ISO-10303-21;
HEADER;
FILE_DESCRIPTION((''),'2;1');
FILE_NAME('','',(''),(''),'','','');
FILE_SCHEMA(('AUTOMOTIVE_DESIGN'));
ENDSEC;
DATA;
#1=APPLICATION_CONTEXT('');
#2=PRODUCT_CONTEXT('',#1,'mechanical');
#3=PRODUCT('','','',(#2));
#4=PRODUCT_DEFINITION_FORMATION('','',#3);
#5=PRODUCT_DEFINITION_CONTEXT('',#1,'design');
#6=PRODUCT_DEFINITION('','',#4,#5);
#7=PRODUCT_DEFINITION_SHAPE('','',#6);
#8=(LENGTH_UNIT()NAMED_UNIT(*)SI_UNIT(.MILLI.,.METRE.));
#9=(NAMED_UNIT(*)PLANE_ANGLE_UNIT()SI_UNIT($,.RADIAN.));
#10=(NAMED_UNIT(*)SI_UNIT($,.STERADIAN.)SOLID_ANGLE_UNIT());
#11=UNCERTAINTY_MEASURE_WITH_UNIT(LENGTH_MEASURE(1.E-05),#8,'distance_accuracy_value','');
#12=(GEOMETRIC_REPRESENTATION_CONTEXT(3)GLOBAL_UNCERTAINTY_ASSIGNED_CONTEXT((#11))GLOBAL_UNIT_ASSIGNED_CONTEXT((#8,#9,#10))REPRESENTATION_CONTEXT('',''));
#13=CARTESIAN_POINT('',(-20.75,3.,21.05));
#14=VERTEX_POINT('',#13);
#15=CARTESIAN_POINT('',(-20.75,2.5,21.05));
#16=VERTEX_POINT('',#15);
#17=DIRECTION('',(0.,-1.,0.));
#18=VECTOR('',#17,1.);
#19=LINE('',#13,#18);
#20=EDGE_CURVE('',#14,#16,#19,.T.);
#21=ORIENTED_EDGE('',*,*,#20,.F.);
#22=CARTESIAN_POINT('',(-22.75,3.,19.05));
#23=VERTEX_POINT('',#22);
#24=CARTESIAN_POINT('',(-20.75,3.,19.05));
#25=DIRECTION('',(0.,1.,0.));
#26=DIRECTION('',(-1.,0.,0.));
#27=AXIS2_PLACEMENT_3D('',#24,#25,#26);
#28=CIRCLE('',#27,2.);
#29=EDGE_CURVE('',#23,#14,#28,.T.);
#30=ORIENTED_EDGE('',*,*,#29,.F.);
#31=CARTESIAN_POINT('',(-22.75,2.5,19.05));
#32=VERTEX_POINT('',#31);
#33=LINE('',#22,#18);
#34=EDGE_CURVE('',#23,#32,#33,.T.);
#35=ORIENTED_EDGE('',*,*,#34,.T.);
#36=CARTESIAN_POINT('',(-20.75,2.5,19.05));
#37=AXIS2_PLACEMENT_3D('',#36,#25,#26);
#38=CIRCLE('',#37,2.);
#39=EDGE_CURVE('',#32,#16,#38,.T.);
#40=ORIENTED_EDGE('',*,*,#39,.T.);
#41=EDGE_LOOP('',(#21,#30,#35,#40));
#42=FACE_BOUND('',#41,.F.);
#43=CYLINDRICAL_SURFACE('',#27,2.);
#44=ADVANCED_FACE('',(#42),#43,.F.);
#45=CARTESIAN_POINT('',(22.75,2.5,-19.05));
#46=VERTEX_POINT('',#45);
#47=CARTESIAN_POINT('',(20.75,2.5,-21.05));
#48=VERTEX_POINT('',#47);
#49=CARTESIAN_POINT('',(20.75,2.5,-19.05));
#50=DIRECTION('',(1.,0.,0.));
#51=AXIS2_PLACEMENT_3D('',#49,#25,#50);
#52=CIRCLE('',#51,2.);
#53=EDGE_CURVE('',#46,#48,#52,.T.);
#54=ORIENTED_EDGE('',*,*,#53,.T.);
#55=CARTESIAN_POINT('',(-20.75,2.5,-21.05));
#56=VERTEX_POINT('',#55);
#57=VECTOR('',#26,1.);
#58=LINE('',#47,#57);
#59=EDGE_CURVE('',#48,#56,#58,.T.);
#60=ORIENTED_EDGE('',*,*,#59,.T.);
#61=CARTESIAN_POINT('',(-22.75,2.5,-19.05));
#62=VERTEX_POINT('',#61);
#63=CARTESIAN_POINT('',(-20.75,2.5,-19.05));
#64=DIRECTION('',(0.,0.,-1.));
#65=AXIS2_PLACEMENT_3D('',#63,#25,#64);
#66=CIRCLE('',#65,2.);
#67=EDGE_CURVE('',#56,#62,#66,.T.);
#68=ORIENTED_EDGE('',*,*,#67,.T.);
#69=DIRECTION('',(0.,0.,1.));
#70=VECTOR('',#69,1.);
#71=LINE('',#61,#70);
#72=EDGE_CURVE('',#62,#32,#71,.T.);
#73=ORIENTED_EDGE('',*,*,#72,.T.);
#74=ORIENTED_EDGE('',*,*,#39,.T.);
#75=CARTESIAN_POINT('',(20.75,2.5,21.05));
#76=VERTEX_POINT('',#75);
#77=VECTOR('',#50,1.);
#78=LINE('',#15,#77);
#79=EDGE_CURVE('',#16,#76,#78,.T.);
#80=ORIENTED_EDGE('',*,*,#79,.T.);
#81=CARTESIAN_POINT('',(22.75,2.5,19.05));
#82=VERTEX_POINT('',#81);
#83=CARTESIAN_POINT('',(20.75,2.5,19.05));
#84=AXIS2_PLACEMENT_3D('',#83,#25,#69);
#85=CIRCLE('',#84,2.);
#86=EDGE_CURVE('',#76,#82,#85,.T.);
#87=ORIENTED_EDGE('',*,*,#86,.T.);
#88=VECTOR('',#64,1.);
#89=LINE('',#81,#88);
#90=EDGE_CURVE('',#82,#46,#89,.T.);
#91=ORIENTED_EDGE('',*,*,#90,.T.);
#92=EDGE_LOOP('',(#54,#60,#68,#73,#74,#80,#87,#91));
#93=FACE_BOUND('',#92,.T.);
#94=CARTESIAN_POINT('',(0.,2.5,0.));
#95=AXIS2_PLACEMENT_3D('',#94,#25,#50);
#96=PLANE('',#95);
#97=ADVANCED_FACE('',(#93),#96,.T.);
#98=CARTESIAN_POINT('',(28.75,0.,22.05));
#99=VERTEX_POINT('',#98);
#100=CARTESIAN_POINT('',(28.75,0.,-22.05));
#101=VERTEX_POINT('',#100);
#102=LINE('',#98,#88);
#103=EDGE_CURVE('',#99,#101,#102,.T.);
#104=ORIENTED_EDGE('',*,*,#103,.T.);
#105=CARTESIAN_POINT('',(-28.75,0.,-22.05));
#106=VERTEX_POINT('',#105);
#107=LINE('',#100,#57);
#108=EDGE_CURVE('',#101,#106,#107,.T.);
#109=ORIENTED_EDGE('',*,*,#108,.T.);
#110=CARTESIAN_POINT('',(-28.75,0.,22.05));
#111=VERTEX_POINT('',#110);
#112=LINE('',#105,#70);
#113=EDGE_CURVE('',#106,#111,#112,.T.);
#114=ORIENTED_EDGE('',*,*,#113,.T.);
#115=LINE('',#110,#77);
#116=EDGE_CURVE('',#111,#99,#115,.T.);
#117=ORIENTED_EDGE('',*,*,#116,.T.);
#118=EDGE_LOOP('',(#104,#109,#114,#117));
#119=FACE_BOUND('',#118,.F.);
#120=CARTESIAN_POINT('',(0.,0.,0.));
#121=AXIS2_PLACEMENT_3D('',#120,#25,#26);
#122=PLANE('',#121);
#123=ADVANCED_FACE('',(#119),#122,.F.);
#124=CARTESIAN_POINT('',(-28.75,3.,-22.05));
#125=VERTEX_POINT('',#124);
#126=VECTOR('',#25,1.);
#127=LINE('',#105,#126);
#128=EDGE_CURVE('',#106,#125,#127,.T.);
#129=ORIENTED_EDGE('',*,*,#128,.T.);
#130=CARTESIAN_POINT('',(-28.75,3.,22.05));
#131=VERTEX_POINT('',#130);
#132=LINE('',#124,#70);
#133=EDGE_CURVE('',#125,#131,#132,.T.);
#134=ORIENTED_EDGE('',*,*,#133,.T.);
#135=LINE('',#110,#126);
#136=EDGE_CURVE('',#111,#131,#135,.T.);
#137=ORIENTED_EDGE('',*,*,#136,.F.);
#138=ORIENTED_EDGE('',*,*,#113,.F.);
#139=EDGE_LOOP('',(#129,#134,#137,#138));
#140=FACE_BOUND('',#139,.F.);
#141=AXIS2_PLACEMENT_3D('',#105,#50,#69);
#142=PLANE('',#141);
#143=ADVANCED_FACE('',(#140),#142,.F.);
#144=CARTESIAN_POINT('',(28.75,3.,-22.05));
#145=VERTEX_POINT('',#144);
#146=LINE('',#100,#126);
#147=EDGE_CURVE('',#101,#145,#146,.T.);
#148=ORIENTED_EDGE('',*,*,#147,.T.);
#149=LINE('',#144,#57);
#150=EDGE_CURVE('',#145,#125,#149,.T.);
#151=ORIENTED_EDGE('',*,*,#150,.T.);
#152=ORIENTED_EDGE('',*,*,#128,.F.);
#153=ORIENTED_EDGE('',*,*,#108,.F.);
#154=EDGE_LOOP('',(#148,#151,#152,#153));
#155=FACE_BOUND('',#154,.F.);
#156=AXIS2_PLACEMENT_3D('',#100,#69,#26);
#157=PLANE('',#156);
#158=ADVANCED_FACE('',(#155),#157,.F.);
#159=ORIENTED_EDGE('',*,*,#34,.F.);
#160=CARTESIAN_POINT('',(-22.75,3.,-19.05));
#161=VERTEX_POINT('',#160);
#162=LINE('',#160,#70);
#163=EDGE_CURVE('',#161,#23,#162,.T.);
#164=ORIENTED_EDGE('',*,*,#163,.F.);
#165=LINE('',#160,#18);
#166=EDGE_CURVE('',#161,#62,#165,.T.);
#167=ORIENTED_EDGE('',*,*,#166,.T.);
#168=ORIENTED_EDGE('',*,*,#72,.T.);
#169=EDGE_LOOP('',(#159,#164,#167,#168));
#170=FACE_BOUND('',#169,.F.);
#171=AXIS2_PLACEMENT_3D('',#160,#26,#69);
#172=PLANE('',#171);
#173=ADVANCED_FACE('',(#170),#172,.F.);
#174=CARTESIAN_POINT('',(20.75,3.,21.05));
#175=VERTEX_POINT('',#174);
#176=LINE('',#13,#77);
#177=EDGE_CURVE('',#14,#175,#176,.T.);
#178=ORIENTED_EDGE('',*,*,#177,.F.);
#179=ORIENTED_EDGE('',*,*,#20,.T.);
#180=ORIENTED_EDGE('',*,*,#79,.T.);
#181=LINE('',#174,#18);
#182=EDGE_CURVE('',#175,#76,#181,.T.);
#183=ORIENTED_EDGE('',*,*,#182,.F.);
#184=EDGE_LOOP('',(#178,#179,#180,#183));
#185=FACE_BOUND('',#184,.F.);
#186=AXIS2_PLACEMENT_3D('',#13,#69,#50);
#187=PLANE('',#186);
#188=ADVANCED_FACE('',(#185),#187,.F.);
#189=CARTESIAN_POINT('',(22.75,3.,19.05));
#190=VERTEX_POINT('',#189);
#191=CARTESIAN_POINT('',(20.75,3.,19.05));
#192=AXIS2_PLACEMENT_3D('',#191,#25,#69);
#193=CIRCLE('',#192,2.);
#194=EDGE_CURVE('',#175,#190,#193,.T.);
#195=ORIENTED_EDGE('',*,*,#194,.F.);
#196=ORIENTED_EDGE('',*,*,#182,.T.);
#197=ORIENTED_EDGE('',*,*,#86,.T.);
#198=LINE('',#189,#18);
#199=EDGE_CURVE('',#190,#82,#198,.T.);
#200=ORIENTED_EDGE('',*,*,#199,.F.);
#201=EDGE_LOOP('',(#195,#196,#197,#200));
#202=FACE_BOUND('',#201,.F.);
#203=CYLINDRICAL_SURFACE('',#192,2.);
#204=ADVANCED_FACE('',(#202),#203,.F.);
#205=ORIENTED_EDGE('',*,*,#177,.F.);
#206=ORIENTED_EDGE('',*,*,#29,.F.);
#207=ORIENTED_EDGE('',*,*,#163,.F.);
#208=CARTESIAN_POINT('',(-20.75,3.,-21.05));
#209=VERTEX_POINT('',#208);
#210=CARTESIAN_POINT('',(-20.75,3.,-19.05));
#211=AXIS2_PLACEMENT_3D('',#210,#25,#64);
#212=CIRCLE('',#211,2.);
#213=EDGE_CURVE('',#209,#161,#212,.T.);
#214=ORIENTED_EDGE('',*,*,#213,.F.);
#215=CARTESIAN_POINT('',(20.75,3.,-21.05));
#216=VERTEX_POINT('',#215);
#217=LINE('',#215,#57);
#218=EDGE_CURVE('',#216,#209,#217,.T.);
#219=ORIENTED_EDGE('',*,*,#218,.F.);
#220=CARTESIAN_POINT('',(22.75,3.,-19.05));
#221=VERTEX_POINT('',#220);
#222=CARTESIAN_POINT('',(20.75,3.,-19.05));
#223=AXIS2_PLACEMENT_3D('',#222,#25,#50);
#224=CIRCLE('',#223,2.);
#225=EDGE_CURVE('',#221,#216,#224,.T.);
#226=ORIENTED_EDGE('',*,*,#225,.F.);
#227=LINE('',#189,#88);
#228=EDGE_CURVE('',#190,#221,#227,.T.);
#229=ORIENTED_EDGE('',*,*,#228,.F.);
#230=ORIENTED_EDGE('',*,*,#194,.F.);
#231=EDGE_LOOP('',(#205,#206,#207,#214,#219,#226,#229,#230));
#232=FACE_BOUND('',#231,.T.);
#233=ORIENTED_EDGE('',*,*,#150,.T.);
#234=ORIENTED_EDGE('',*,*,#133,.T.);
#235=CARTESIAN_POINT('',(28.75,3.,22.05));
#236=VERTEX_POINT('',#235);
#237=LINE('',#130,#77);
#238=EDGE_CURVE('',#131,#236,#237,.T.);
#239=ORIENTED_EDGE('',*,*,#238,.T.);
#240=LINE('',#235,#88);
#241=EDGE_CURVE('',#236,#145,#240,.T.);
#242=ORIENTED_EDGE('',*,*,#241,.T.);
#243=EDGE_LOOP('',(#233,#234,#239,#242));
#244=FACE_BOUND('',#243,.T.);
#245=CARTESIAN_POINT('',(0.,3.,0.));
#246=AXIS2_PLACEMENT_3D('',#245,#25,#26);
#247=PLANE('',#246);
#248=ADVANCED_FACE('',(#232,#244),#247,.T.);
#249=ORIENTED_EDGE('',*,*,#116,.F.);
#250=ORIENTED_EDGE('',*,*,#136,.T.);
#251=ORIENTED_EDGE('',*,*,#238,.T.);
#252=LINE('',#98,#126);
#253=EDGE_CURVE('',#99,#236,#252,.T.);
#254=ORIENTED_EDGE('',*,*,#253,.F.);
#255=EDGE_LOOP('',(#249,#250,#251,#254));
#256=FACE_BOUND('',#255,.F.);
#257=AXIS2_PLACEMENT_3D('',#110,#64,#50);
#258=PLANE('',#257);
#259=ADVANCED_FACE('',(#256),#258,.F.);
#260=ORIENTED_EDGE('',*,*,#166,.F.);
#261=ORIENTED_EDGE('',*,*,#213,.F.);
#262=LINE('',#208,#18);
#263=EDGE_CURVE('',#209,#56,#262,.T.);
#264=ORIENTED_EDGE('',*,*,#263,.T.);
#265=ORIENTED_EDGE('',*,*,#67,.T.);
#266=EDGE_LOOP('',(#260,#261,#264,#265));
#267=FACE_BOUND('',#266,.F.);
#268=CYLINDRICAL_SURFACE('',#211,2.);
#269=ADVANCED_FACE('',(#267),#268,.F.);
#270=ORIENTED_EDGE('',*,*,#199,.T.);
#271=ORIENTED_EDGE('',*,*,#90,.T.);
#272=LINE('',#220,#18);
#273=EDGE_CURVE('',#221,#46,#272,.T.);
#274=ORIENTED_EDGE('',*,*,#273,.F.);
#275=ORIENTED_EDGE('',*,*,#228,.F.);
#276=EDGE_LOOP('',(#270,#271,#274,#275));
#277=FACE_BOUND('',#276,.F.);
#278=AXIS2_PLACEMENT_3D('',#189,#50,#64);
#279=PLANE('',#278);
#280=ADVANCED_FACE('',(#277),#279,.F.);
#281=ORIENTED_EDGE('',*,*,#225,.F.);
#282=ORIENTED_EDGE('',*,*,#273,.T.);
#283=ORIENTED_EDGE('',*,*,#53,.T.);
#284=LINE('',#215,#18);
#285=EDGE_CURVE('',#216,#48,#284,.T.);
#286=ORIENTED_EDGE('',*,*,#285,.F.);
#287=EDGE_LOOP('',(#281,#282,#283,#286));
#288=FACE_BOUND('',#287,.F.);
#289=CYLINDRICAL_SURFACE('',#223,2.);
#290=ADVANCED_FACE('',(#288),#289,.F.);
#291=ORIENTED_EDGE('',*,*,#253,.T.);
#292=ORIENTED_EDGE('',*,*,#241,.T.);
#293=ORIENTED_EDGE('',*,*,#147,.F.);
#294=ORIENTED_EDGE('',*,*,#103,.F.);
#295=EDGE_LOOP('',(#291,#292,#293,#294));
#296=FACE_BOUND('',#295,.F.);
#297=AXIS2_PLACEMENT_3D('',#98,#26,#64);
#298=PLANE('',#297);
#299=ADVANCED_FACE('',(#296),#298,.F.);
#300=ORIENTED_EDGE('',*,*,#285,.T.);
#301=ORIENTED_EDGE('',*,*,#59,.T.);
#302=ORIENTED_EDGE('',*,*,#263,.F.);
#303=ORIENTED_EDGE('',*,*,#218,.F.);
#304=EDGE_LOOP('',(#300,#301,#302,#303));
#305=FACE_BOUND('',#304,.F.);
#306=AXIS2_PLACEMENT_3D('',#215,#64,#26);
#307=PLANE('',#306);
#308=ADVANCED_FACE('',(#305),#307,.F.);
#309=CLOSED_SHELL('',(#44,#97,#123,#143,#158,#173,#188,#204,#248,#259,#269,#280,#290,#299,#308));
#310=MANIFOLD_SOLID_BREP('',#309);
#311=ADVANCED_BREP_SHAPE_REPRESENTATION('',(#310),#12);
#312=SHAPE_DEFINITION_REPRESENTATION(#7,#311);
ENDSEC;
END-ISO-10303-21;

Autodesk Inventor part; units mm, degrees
ref_plane "YZ Plane" through (0, 0, 0) normal (1, 0, 0) x (0, 1, 0)
ref_plane "XZ Plane" through (0, 0, 0) normal (0, 1, 0) x (-1, 0, 0)
ref_plane "XY Plane" through (0, 0, 0) normal (0, 0, 1) x (1, 0, 0)
sketch "Sketch1" plane through (0, 0, 0) normal (0, 1, 0) x (-1, 0, 0)
  line L0 (-28.75, -22.05) -> (28.75, -22.05)
  line L1 (28.75, -22.05) -> (28.75, 22.05)
  line L2 (28.75, 22.05) -> (-28.75, 22.05)
  line L3 (-28.75, 22.05) -> (-28.75, -22.05)
  line L4 (-28.75, -22.05) -> (28.75, 22.05) construction
  line L5 (28.75, -22.05) -> (-28.75, 22.05) construction
  point P0 (0, 0)
  dimension "d0" = 44.1
  dimension "d1" = 57.5
extrude "Extrusion1" add sketch "Sketch1" along normal blind 3
sketch "Sketch2" plane through (0, 3, 0) normal (0, 1, 0) x (1, 0, 0)
  line L0 (20.75, 21.05) -> (-20.75, 21.05)
  line L1 (-22.75, 19.05) -> (-22.75, -19.05)
  line L2 (-20.75, -21.05) -> (20.75, -21.05)
  line L3 (22.75, -19.05) -> (22.75, 19.05)
  line L4 (22.75, 21.05) -> (-22.75, -21.05) construction
  line L5 (-22.75, 21.05) -> (22.75, -21.05) construction
  line L6 (-28.75, 22.05) -> (-28.75, -22.05) projected
  line L7 (-28.75, -22.05) -> (28.75, -22.05) projected
  arc A0 (-22.75, -19.05) -> (-20.75, -21.05) centre (-20.75, -19.05) ccw
  arc A1 (-20.75, 21.05) -> (-22.75, 19.05) centre (-20.75, 19.05) ccw
  arc A2 (22.75, 19.05) -> (20.75, 21.05) centre (20.75, 19.05) ccw
  arc A3 (20.75, -21.05) -> (22.75, -19.05) centre (20.75, -19.05) ccw
  point P0 (0, 0)
  dimension "d4" = 6
  dimension "d5" = 1
  dimension "d6" = 2
extrude "Extrusion2" cut sketch "Sketch2" against normal blind 0.5
properties part number "Glue Reservoir V1"
